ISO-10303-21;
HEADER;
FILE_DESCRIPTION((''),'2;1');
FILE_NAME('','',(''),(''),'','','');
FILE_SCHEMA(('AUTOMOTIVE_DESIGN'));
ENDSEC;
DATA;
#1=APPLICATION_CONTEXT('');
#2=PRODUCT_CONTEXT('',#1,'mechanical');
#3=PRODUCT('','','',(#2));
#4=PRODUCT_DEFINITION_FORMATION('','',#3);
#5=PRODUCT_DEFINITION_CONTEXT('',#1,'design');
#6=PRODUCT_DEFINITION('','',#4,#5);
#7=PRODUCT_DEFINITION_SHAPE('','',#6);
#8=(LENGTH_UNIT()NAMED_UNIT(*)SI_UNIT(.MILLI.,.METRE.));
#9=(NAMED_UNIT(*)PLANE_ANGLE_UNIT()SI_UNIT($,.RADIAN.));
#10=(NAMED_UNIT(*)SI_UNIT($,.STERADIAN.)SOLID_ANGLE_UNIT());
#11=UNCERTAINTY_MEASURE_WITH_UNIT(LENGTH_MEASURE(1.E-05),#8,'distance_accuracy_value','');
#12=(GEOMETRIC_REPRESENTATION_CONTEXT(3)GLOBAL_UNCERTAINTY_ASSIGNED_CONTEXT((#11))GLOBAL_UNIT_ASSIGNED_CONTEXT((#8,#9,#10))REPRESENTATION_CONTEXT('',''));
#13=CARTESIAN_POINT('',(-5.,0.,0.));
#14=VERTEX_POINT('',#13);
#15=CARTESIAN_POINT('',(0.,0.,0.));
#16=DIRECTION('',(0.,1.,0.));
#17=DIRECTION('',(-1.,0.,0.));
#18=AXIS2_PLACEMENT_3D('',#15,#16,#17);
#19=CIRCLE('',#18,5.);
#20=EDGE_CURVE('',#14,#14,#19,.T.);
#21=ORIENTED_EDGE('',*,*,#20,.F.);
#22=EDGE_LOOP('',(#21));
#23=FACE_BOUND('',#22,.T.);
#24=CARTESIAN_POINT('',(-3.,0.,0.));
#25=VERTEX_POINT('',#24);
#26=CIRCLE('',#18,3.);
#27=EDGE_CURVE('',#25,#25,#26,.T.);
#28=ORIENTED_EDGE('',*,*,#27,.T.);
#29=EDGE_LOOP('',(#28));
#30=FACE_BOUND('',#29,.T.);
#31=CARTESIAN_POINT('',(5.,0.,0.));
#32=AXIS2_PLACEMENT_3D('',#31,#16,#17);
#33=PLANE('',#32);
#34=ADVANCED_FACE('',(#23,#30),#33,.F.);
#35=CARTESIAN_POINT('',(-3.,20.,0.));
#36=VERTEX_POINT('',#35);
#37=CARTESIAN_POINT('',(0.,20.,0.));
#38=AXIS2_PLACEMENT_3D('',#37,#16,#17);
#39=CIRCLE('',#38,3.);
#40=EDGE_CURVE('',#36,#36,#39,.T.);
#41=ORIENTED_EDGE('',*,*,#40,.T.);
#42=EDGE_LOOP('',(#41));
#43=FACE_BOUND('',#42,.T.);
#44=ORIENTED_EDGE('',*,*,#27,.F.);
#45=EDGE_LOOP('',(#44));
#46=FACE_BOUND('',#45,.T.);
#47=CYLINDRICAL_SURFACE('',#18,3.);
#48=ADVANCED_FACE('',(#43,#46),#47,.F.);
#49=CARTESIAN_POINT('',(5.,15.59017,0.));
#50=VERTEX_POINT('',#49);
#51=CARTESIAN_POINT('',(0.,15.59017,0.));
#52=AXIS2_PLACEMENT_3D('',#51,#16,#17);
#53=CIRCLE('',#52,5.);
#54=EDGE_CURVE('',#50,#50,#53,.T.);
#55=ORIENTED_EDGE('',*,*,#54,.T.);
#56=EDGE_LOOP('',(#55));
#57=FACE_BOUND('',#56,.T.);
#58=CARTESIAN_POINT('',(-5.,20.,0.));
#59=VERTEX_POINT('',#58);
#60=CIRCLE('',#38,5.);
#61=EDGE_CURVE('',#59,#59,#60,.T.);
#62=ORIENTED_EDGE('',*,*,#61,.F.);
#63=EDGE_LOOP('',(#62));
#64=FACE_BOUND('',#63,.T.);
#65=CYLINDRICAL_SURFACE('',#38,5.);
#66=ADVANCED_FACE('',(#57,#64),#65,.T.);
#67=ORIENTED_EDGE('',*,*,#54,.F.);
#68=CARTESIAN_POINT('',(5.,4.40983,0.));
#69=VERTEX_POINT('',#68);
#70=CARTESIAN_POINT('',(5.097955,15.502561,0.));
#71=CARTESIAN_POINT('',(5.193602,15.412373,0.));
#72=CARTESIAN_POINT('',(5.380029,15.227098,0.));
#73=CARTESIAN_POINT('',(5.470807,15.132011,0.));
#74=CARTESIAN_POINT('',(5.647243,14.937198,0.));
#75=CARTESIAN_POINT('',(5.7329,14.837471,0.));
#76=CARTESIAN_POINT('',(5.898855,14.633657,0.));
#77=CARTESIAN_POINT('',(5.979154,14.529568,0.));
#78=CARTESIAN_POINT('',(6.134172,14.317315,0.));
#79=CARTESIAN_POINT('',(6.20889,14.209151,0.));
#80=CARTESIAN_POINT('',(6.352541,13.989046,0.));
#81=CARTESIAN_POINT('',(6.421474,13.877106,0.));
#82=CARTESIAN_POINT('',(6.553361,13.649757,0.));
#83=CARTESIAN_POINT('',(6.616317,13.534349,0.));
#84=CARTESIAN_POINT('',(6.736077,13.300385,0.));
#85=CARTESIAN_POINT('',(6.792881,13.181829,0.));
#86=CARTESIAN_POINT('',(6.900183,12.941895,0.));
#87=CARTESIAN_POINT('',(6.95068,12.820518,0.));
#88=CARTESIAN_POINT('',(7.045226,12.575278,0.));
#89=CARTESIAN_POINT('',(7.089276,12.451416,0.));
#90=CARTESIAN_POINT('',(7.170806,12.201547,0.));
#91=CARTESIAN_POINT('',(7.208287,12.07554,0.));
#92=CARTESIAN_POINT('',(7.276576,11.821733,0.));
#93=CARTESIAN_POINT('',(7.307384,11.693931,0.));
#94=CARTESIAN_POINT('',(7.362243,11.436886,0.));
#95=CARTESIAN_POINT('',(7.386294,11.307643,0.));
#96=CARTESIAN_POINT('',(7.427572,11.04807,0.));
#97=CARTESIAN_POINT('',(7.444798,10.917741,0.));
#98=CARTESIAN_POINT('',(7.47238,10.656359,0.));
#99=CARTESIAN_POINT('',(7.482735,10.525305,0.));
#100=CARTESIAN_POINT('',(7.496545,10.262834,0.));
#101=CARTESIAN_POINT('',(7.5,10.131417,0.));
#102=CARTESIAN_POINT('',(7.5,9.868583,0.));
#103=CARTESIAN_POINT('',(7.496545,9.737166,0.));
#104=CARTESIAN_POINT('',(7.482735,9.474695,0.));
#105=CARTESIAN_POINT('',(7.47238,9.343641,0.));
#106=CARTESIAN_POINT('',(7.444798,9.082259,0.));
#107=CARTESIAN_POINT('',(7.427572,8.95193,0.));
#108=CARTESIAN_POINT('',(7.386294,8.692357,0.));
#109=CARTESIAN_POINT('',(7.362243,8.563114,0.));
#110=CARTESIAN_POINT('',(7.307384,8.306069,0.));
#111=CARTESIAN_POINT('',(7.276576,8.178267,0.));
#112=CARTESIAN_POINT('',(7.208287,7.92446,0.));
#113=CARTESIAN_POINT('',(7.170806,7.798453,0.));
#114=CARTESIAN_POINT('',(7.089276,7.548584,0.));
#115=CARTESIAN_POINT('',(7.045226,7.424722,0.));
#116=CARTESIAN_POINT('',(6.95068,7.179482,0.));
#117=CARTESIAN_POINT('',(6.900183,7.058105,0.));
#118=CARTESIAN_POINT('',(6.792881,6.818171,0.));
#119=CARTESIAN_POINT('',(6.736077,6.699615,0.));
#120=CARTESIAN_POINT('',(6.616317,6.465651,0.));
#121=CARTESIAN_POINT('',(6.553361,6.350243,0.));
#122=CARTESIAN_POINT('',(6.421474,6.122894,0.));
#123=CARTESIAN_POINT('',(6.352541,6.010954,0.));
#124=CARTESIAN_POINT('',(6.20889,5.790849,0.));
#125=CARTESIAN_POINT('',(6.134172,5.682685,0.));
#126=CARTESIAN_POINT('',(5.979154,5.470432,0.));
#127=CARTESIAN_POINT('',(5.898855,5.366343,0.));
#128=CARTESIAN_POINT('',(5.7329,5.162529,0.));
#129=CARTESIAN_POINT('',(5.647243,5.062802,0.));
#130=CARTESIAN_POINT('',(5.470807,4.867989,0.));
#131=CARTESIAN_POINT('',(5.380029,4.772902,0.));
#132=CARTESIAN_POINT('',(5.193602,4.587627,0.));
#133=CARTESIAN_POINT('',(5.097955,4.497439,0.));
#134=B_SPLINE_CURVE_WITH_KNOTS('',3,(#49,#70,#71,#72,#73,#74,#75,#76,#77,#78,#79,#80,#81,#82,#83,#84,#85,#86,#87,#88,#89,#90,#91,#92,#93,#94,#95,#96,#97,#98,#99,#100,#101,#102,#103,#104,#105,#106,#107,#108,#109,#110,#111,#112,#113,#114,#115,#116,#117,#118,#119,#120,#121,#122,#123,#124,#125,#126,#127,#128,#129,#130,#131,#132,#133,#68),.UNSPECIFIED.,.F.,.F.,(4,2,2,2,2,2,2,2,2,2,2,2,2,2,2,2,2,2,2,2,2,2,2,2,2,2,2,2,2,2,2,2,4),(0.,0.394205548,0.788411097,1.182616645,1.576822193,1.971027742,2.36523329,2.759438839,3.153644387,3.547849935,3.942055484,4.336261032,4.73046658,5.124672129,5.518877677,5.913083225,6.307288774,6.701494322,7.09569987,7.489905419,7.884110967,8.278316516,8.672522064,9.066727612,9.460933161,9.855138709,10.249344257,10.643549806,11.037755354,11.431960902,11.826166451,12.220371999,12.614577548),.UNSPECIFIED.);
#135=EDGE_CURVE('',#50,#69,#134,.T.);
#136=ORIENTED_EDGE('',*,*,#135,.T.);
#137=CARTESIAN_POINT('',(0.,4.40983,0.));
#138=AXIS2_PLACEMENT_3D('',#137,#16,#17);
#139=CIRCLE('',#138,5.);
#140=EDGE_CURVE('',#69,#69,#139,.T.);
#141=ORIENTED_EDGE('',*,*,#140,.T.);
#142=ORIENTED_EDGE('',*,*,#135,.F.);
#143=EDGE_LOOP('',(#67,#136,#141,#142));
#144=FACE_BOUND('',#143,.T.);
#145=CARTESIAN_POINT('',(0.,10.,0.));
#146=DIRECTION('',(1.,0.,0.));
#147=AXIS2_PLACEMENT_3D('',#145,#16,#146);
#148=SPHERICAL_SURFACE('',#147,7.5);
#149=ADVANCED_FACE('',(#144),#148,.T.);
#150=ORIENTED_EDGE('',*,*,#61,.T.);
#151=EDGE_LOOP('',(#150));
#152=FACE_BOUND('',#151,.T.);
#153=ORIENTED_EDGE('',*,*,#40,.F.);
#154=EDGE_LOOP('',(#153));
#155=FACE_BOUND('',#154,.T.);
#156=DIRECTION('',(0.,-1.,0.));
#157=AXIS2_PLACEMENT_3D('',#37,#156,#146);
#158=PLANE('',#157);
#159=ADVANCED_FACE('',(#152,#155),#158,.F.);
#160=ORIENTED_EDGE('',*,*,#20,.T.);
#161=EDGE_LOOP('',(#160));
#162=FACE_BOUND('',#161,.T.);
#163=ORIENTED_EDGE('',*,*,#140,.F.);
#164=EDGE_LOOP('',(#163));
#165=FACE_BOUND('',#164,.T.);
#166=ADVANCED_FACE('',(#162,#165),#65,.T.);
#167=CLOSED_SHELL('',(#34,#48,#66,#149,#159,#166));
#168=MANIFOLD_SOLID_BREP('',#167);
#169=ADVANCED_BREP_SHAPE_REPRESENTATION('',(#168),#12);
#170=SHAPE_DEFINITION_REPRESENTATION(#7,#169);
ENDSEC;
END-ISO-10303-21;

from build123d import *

# Parameters (mm, degrees)
SKETCH_2_R          = 3
CUT_EXTRUDE_1_DEPTH = 23.638462845


with BuildPart() as part:
    # 草图1 → 旋转1 (revolve)
    with BuildSketch(Plane.XY, mode=Mode.PRIVATE) as revolve_1_sk:
        with BuildLine():
            Line((0, 20), (5, 20))
            Line((5, 20), (5, 15.590169944))
            ThreePointArc((5, 15.590169944), (7.5, 10), (5, 4.409830056))
            Line((5, 4.409830056), (5, 0))
            Line((5, 0), (0, 0))
            Line((0, 0), (0, 20))
        make_face()
    revolve(revolve_1_sk.sketch.rotate(Axis((0, 20, 0), (0, -1, 0)), 180), axis=Axis((0, 20, 0), (0, -1, 0)))

    # 草图2 → 切除-拉伸1 (cut, through all)
    with BuildSketch(Plane(origin=(0, 20, 0), x_dir=(1, 0, 0), z_dir=(0, 1, 0))):
        with Locations(Location((0, 0, 0), (0, 0, 180))):
            Circle(SKETCH_2_R)
    extrude(amount=-CUT_EXTRUDE_1_DEPTH, mode=Mode.SUBTRACT)


solid = part.part
